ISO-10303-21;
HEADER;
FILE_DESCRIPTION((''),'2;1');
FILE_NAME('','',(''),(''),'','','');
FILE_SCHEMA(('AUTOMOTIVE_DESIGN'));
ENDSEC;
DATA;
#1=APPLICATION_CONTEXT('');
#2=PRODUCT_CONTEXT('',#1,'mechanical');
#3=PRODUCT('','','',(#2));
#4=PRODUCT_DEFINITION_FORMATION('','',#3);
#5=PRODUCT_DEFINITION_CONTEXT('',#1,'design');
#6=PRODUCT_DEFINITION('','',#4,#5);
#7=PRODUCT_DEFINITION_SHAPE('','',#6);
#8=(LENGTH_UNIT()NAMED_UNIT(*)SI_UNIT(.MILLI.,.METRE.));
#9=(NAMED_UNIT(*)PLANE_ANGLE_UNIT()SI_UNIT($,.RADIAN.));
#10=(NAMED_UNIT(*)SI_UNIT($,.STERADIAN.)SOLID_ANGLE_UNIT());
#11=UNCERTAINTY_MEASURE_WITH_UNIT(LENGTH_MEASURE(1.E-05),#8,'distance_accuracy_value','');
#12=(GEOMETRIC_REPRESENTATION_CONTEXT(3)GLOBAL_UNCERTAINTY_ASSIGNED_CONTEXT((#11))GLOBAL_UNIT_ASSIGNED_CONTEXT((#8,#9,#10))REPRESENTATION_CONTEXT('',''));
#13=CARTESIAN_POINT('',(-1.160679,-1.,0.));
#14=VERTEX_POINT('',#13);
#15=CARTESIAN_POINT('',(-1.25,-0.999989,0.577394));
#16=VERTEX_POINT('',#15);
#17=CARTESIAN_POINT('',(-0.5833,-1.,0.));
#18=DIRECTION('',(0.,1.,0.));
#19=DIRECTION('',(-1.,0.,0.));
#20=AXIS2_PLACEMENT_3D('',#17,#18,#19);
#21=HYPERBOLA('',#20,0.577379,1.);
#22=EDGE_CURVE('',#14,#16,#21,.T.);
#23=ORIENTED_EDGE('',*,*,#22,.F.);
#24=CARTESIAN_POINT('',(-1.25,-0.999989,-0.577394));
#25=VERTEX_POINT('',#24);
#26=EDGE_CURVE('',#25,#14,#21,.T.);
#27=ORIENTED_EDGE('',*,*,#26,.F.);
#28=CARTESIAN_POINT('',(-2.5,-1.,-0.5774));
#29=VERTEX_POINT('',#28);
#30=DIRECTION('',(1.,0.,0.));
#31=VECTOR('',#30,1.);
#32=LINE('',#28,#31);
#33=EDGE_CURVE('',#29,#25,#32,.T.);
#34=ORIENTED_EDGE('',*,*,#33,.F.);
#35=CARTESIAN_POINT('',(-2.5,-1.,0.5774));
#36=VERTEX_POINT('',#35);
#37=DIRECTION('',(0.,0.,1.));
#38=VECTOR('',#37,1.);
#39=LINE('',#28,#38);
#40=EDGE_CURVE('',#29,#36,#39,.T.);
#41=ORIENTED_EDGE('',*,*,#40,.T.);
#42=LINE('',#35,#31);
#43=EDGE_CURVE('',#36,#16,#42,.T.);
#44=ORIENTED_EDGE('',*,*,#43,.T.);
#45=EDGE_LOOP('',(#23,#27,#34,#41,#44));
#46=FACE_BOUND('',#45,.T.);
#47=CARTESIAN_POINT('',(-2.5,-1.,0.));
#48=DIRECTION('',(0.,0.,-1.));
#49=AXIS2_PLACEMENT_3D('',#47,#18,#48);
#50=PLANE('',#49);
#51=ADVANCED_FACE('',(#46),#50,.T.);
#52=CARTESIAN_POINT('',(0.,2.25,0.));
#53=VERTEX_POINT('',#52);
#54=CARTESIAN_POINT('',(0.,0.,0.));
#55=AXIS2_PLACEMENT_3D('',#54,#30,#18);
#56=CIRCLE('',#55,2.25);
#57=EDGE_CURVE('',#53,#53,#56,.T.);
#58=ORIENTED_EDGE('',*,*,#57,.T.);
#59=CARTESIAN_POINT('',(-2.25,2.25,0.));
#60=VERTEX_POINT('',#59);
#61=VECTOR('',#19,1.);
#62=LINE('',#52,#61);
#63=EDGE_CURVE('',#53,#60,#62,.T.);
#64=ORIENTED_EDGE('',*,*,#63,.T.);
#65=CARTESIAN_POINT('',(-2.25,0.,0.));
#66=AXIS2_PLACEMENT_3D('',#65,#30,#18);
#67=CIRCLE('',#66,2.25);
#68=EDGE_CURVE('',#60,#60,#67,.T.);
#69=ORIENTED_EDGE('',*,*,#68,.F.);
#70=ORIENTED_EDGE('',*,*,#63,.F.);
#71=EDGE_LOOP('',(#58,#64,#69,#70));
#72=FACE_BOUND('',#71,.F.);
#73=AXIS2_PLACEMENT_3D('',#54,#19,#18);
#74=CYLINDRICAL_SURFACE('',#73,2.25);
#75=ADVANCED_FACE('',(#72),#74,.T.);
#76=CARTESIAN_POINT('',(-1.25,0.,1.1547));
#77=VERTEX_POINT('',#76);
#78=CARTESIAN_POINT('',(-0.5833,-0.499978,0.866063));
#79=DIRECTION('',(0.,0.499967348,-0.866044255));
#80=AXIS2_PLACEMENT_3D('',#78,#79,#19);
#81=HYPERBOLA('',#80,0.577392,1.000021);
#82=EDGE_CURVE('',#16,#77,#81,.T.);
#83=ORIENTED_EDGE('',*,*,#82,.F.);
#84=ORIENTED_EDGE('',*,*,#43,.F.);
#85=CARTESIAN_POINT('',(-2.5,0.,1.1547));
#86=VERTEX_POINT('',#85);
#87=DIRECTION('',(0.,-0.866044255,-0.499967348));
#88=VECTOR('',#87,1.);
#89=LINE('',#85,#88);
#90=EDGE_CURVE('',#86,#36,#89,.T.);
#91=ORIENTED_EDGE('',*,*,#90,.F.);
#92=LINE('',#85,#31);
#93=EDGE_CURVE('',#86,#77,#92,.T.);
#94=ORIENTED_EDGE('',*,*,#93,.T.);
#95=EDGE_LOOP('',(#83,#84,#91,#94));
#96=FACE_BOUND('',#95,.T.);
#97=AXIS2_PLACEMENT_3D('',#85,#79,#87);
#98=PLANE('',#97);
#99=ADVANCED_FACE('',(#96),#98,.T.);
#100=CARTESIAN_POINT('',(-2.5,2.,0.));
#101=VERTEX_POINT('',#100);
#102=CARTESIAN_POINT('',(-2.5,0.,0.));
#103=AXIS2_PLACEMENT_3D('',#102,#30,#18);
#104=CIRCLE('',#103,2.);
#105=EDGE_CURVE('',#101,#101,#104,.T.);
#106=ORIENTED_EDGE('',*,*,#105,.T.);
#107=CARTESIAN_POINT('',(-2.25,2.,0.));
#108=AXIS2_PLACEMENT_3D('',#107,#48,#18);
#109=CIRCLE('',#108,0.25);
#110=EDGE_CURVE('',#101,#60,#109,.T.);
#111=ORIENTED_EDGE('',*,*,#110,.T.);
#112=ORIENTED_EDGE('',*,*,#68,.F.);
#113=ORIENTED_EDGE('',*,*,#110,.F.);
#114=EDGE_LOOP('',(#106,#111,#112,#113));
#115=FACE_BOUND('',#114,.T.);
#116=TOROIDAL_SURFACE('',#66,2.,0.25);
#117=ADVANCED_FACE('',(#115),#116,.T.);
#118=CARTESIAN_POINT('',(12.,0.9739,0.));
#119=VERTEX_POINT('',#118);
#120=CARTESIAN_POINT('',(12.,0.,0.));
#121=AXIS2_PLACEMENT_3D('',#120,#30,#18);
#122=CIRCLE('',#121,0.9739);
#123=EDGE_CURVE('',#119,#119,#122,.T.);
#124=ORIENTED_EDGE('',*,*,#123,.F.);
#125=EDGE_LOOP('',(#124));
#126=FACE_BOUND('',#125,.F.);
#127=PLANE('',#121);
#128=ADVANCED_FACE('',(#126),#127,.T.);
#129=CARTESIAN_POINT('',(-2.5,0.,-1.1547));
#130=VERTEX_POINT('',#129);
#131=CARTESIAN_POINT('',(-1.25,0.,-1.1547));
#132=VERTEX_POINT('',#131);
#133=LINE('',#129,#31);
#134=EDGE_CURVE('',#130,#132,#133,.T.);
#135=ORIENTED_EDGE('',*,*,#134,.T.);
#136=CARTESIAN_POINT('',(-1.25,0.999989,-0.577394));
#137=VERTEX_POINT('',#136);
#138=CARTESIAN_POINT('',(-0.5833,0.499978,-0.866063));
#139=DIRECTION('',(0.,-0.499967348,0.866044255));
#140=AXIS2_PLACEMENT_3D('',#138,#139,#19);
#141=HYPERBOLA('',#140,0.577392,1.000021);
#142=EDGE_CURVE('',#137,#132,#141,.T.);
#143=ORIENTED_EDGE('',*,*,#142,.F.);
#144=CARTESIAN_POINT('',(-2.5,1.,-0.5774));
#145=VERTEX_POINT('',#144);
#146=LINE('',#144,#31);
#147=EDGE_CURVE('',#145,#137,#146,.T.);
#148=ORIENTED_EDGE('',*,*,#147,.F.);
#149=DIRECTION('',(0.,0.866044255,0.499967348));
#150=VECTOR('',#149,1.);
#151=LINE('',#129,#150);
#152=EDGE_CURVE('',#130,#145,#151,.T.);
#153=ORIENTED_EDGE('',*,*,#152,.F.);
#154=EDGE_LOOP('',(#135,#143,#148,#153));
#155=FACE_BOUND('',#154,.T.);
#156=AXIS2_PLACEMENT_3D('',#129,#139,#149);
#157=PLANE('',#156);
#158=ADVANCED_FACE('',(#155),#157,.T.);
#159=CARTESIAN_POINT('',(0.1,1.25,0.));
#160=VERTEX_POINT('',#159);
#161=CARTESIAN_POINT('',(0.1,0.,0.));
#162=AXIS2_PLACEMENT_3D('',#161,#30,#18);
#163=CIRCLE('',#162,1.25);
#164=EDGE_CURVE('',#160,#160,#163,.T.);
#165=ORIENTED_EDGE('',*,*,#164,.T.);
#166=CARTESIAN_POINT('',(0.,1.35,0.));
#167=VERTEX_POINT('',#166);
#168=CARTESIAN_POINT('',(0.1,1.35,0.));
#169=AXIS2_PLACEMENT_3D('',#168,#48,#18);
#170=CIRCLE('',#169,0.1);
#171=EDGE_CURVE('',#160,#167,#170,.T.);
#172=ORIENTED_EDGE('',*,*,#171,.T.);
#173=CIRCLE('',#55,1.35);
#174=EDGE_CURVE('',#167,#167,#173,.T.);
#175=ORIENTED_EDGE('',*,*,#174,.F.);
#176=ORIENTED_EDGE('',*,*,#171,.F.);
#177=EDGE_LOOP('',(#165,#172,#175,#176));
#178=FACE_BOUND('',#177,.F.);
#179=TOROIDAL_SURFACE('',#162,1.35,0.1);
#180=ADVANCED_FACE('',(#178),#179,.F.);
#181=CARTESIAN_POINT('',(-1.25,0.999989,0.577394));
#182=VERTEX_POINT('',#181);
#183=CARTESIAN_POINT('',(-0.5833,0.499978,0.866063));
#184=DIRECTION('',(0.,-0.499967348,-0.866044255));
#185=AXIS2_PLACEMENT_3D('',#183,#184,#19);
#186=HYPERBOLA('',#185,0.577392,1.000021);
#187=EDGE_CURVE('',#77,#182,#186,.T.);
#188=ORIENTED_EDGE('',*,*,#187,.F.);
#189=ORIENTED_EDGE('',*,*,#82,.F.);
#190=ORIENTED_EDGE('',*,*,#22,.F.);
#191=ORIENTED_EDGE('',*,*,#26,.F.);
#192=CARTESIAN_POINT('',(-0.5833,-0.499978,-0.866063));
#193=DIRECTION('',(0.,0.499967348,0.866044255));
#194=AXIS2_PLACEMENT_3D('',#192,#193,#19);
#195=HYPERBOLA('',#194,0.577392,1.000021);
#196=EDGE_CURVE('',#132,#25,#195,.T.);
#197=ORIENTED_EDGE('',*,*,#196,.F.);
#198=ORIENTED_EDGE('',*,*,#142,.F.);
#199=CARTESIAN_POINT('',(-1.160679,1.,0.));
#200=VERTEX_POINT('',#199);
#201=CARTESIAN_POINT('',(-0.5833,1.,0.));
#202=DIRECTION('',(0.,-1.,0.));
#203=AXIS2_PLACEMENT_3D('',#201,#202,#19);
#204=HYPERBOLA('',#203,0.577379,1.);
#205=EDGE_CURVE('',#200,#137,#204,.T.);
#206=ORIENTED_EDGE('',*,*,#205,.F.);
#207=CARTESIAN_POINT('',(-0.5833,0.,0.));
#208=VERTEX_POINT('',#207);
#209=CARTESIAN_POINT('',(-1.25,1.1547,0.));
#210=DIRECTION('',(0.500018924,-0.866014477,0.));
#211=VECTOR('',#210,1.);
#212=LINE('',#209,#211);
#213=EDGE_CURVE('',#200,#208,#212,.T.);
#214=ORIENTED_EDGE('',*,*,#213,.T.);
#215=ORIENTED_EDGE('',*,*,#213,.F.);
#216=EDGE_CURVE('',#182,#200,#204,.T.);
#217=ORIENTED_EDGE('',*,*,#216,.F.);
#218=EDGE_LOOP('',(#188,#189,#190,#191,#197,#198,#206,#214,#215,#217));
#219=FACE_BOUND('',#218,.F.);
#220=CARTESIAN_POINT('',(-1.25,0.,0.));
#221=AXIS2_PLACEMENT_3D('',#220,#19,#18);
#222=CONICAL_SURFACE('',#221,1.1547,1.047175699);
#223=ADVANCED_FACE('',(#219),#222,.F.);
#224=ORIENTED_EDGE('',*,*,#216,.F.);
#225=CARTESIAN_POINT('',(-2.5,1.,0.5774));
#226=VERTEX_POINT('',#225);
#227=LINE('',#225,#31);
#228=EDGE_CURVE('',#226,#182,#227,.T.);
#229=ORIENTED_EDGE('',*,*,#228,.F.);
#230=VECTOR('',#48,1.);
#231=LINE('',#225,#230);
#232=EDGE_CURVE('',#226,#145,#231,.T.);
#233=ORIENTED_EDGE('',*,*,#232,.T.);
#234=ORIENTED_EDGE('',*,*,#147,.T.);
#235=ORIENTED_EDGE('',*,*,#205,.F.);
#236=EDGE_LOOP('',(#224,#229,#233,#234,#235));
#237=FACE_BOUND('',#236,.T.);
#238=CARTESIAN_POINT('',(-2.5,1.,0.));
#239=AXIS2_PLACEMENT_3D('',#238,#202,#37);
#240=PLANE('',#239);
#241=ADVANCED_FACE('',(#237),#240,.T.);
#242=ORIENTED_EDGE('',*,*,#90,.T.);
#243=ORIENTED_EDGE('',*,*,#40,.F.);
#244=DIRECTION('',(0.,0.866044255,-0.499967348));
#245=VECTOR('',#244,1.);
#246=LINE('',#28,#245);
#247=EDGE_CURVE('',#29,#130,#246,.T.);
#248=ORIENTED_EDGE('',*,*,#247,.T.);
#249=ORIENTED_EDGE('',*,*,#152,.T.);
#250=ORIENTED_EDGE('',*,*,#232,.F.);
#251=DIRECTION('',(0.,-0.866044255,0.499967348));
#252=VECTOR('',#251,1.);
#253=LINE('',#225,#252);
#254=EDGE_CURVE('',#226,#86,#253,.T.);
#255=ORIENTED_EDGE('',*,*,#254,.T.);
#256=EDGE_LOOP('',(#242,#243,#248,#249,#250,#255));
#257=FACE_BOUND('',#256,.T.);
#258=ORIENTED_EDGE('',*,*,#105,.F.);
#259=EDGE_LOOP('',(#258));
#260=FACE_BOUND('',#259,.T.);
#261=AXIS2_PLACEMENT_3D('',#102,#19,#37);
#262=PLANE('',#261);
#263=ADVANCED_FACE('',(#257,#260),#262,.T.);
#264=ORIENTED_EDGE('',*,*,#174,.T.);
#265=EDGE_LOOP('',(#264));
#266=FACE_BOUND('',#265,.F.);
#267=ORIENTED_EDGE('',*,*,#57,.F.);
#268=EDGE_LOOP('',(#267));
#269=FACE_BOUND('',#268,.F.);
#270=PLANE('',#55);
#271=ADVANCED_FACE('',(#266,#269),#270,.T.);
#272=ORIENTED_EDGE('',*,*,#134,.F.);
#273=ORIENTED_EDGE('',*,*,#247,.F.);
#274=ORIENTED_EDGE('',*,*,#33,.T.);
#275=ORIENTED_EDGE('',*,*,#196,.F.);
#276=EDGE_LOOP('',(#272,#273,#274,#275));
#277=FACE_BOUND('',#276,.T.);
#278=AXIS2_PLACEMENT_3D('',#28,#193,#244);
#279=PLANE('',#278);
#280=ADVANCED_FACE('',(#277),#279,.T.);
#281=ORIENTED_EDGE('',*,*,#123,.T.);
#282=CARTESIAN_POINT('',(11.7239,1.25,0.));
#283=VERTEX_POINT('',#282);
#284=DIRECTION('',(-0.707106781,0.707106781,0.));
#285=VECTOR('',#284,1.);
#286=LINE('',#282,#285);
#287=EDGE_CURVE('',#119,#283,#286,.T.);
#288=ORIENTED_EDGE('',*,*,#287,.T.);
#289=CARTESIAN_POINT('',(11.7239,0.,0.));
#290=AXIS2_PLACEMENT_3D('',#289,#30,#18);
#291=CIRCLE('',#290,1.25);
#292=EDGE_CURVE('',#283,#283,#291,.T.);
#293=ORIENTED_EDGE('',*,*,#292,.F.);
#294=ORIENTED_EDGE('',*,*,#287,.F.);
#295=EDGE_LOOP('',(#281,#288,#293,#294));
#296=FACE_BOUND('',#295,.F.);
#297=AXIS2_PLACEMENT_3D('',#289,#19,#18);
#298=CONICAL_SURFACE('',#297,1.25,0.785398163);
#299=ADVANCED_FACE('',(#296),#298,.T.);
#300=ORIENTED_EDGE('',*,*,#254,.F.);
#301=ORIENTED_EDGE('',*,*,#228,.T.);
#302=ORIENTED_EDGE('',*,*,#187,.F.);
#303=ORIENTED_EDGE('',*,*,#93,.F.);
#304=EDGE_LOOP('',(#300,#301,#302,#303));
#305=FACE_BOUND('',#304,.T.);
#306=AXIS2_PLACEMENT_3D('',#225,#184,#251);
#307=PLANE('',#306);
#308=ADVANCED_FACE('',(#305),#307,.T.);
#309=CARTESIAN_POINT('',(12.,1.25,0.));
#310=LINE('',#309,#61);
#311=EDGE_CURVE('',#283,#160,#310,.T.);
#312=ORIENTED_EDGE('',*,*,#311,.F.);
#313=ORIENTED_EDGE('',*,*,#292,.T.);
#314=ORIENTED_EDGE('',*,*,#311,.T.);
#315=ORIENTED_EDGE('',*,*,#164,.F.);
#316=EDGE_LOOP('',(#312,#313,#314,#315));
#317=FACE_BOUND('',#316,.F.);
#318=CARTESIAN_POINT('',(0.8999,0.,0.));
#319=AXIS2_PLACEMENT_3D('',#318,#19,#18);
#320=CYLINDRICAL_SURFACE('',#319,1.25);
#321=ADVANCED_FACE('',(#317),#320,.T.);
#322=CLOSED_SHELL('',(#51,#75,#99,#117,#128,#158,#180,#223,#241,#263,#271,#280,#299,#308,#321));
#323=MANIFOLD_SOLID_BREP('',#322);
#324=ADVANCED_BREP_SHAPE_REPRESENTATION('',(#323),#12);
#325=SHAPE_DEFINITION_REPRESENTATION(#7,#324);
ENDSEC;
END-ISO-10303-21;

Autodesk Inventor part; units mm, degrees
ref_plane "YZ Plane" through (0, 0, 0) normal (1, 0, 0) x (0, 1, 0)
ref_plane "XZ Plane" through (0, 0, 0) normal (0, 1, 0) x (-1, 0, 0)
sketch "Sketch1" plane through (0, 0, 0) normal (0, 0, 1) x (1, 0, 0)
  line L0 (-0.5833, 0) -> (12, 0)
  line L1 (12, 0) -> (12, 1.25)
  line L2 (12, 1.25) -> (1.1761, 1.25)
  line L3 (1.1761, 1.25) -> (0.8999, 1.25)
  line L4 (0.8999, 1.25) -> (0, 1.25)
  line L5 (0, 1.25) -> (0, 2.25)
  line L6 (0, 2.25) -> (-2.5, 2.25)
  line L7 (-2.5, 2.25) -> (-2.5, 1.1547)
  line L8 (-2.5, 1.1547) -> (-1.25, 1.1547)
  line L9 (-1.25, 1.1547) -> (-0.5833, 0)
  line L10 (-5.4, 0) -> (14.9, 0) projected
  line L11 (0, -0.45) -> (0, 2.7) projected
  line L12 (1.1761, 1.25) -> (0, 1.25) construction
  dimension "d1" = 10.8239
  dimension "d2" = 0.2762
  dimension "d3" = 2.5
  dimension "d4" = 1.25
  dimension "d5" = 60
  dimension "d6" = 2.5
  dimension "d7" = 2.5
  dimension "d8" = 2.3094
  dimension "d9" = 4.5
  dimension "d26" = 12
revolve "Body" add sketch "Sketch1" angle 360 about axis through (-0.5833, 0, 0) along (1, 0, 0)
sketch "Sketch2" plane through (-2.5, 0, 0) normal (-1, 0, 0) x (0, 0, 1)
  circle A0 centre (0, 0) radius 1.1547 projected
  line L0 (0, -3.15) -> (0, 3.15) projected
  line L1 (-3.15, 0) -> (3.15, 0) projected
  line L2 (1.1547, 0) -> (0.5774, -1)
  line L3 (0.5774, -1) -> (-0.5774, -1)
  line L4 (-0.5774, -1) -> (-1.1547, 0)
  line L5 (-1.1547, 0) -> (-0.5774, 1)
  line L6 (-0.5774, 1) -> (0.5774, 1)
  line L7 (0.5774, 1) -> (1.1547, 0)
extrude "Slot" add sketch "Sketch2" against normal up to next contours L7 A0 | A0 L2 | L6 L0 A0 | A0 L0 L3 | L0 L6 A0 | A0 L3 L0 | L4 A0 | A0 L5
fillet "Fillet1" radius 0.25 1 edges at (-2.5, -2.25, 0)
thread "Thread" size "M2.5x0.45" class "6g" standard "ISO Metric profile" length 10.8239
chamfer "Chamfer1" distance 0.2761 distance2 0.2761 1 edges at (12, -1.25, 0) measured on face at (12, -0.2714, -0.6096)
ref_plane "Work Plane1" through (29, 0, 0) normal (0, -1, 0) x (1, 0, 0)
fillet "Fillet2" radius 0.1 1 edges at (0, -1.25, 0)
equation "\"d30\" = R"
equation "\"d17\" = RR"
equation "\"d13\" = GEL"
equation "\"d15\" = -0.5 * SPD + 0.5 * GD"
equation "\"d16\" = GUL"
equation "\"d1\" = GEL"
equation "\"d3\" = KOH"
equation "\"d4\" = INTI"
equation "\"d6\" = GD"
equation "\"d7\" = BDM"
equation "\"d8\" = 1.1547 * SW"
equation "\"d9\" = KOD"
equation "\"d26\" = NLG"
equation "\"GD\" = NND"
equation "\"NLG\" = 12"
equation "\"GEL\" = 10.82395"
equation "\"KOD\" = 4.5"
equation "\"KOH\" = 2.5"
equation "\"INTI\" = 1.25"
equation "\"GAL\" = 0.61345 * PTC"
equation "\"GUL\" = 0.61345 * PTC"
equation "\"BDM\" = NND"
equation "\"SW\" = 2"
equation "\"RR\" = 0.25"
equation "\"SPD\" = 1.94789"
equation "\"R\" = 0.1"
equation "\"TOA\" = 30deg"
equation "\"THREADDIA\" = 2.5"
equation "\"PTC\" = 0.45"
equation "\"NND\" = 2.5"
equation "\"E0\" = 1.155 * SW"
equation "\"GD1\" = THREADDIA - 1.2269 * PTC"
properties part number "ANSI B18.3.1M - M2.5x0.45 x 12" material "Steel, Mild"
